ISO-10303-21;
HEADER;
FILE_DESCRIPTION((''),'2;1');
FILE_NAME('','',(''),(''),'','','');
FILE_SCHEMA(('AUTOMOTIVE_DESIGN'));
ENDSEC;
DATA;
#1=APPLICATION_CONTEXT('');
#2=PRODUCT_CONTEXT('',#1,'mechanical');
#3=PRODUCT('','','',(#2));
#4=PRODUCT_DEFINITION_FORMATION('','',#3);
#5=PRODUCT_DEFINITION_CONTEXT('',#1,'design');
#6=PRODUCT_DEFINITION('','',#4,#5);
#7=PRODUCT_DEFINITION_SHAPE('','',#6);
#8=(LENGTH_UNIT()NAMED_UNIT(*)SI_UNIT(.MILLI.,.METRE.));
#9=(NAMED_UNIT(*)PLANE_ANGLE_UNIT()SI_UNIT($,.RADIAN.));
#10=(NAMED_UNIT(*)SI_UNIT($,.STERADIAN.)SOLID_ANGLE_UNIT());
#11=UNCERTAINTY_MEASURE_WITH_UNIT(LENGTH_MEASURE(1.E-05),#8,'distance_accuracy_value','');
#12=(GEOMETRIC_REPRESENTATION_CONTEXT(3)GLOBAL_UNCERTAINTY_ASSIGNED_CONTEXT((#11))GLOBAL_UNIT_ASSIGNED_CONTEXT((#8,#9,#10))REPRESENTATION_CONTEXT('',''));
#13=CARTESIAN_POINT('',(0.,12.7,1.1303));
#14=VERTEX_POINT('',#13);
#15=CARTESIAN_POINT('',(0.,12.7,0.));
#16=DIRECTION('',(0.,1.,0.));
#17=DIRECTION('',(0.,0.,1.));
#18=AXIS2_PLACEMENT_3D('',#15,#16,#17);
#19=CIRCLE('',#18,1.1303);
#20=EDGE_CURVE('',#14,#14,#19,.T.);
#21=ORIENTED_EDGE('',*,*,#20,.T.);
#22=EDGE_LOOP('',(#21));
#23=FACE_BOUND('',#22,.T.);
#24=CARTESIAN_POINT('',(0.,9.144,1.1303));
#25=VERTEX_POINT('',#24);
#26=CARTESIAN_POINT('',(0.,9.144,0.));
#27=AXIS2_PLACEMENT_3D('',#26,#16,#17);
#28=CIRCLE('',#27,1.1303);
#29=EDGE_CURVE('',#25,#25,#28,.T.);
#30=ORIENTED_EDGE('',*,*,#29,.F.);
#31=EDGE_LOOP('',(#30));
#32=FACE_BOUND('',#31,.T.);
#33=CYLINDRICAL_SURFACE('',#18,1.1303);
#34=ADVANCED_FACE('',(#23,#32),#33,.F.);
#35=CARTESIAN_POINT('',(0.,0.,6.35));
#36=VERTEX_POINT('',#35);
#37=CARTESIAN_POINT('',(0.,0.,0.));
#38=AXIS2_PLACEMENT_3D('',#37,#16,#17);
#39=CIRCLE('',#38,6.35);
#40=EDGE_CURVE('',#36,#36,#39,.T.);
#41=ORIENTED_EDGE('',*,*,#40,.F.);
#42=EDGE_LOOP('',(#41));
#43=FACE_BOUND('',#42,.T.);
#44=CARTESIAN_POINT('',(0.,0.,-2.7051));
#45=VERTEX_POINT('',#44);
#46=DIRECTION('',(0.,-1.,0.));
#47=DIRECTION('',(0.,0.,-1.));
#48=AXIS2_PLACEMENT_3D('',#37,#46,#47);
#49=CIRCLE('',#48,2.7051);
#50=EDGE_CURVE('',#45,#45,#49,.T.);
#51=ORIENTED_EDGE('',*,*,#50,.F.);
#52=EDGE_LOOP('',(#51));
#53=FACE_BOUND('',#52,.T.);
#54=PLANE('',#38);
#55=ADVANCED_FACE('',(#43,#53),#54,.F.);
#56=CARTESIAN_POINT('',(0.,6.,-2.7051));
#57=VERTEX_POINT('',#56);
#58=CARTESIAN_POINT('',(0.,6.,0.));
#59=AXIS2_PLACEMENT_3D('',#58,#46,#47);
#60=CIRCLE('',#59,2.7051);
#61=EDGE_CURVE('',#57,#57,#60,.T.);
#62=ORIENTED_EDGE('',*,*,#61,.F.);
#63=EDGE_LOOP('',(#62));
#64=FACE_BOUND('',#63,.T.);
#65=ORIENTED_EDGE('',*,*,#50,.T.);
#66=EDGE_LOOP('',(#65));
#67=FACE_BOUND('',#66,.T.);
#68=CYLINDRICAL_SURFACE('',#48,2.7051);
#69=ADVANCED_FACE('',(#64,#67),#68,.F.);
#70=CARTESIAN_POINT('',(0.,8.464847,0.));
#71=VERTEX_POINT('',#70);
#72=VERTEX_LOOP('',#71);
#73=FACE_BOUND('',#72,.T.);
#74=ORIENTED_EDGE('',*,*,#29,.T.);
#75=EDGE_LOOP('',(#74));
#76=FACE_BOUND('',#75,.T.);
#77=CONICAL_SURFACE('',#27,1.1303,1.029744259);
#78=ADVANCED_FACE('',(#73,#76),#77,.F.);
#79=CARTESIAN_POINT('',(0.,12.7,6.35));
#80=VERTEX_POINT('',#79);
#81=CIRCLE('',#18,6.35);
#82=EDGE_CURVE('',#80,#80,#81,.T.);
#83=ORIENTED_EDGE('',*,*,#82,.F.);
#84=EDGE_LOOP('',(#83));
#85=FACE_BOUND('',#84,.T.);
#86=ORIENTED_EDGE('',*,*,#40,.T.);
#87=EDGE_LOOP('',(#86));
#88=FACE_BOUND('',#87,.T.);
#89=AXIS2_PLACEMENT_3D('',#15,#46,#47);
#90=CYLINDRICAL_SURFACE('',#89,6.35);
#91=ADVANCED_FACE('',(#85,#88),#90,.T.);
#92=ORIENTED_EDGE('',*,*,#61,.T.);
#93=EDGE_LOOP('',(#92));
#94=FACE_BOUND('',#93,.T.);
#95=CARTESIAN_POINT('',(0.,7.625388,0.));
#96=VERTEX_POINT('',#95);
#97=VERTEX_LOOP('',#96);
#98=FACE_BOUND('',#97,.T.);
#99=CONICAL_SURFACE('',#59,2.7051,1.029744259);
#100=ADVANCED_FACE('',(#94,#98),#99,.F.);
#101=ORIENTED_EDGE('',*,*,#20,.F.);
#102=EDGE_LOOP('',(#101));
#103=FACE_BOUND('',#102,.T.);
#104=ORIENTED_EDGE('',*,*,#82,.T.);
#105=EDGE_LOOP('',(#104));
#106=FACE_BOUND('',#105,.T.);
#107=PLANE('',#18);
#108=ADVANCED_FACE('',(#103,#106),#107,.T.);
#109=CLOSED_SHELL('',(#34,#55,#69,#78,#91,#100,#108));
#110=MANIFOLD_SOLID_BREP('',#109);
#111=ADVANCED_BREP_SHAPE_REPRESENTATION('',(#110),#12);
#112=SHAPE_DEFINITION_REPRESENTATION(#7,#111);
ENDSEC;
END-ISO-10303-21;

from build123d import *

# Parameters (mm, degrees)
SKETCH1_R                   = 6.35
BOSS_EXTRUDE1_DEPTH         = 12.7
F_4_40_TAPPED_HOLE1_D       = 2.2606
F_4_40_TAPPED_HOLE1_DEPTH   = 3.556
F_4_40_TAPPED_HOLE1_TIP     = 0.679152758
F_1_4_28_TAPPED_HOLE1_D     = 5.4102
F_1_4_28_TAPPED_HOLE1_DEPTH = 6
F_1_4_28_TAPPED_HOLE1_TIP   = 1.625388061


with BuildPart() as part:
    # Sketch1 → Boss-Extrude1 (new body)
    with BuildSketch(Plane(origin=(0, 0, 0), x_dir=(1, 0, 0), z_dir=(0, 1, 0))):
        Circle(SKETCH1_R)
    extrude(amount=BOSS_EXTRUDE1_DEPTH)

    # #4-40 Tapped Hole1
    with Locations(Plane(origin=(0, 12.7, 0), x_dir=(1, 0, 0), z_dir=(0, 1, 0))):
        with Locations((0, 0)):
            Hole(F_4_40_TAPPED_HOLE1_D / 2, depth=F_4_40_TAPPED_HOLE1_DEPTH)
            with Locations((0, 0, -(F_4_40_TAPPED_HOLE1_DEPTH + F_4_40_TAPPED_HOLE1_TIP / 2))):  # 118° drill point
                Cone(0, F_4_40_TAPPED_HOLE1_D / 2, F_4_40_TAPPED_HOLE1_TIP, mode=Mode.SUBTRACT)

    # 1/4-28 Tapped Hole1
    with Locations(Plane(origin=(0, 0, 0), x_dir=(-1, 0, 0), z_dir=(0, -1, 0))):
        with Locations((0, 0)):
            Hole(F_1_4_28_TAPPED_HOLE1_D / 2, depth=F_1_4_28_TAPPED_HOLE1_DEPTH)
            with Locations((0, 0, -(F_1_4_28_TAPPED_HOLE1_DEPTH + F_1_4_28_TAPPED_HOLE1_TIP / 2))):  # 118° drill point
                Cone(0, F_1_4_28_TAPPED_HOLE1_D / 2, F_1_4_28_TAPPED_HOLE1_TIP, mode=Mode.SUBTRACT)


solid = part.part
